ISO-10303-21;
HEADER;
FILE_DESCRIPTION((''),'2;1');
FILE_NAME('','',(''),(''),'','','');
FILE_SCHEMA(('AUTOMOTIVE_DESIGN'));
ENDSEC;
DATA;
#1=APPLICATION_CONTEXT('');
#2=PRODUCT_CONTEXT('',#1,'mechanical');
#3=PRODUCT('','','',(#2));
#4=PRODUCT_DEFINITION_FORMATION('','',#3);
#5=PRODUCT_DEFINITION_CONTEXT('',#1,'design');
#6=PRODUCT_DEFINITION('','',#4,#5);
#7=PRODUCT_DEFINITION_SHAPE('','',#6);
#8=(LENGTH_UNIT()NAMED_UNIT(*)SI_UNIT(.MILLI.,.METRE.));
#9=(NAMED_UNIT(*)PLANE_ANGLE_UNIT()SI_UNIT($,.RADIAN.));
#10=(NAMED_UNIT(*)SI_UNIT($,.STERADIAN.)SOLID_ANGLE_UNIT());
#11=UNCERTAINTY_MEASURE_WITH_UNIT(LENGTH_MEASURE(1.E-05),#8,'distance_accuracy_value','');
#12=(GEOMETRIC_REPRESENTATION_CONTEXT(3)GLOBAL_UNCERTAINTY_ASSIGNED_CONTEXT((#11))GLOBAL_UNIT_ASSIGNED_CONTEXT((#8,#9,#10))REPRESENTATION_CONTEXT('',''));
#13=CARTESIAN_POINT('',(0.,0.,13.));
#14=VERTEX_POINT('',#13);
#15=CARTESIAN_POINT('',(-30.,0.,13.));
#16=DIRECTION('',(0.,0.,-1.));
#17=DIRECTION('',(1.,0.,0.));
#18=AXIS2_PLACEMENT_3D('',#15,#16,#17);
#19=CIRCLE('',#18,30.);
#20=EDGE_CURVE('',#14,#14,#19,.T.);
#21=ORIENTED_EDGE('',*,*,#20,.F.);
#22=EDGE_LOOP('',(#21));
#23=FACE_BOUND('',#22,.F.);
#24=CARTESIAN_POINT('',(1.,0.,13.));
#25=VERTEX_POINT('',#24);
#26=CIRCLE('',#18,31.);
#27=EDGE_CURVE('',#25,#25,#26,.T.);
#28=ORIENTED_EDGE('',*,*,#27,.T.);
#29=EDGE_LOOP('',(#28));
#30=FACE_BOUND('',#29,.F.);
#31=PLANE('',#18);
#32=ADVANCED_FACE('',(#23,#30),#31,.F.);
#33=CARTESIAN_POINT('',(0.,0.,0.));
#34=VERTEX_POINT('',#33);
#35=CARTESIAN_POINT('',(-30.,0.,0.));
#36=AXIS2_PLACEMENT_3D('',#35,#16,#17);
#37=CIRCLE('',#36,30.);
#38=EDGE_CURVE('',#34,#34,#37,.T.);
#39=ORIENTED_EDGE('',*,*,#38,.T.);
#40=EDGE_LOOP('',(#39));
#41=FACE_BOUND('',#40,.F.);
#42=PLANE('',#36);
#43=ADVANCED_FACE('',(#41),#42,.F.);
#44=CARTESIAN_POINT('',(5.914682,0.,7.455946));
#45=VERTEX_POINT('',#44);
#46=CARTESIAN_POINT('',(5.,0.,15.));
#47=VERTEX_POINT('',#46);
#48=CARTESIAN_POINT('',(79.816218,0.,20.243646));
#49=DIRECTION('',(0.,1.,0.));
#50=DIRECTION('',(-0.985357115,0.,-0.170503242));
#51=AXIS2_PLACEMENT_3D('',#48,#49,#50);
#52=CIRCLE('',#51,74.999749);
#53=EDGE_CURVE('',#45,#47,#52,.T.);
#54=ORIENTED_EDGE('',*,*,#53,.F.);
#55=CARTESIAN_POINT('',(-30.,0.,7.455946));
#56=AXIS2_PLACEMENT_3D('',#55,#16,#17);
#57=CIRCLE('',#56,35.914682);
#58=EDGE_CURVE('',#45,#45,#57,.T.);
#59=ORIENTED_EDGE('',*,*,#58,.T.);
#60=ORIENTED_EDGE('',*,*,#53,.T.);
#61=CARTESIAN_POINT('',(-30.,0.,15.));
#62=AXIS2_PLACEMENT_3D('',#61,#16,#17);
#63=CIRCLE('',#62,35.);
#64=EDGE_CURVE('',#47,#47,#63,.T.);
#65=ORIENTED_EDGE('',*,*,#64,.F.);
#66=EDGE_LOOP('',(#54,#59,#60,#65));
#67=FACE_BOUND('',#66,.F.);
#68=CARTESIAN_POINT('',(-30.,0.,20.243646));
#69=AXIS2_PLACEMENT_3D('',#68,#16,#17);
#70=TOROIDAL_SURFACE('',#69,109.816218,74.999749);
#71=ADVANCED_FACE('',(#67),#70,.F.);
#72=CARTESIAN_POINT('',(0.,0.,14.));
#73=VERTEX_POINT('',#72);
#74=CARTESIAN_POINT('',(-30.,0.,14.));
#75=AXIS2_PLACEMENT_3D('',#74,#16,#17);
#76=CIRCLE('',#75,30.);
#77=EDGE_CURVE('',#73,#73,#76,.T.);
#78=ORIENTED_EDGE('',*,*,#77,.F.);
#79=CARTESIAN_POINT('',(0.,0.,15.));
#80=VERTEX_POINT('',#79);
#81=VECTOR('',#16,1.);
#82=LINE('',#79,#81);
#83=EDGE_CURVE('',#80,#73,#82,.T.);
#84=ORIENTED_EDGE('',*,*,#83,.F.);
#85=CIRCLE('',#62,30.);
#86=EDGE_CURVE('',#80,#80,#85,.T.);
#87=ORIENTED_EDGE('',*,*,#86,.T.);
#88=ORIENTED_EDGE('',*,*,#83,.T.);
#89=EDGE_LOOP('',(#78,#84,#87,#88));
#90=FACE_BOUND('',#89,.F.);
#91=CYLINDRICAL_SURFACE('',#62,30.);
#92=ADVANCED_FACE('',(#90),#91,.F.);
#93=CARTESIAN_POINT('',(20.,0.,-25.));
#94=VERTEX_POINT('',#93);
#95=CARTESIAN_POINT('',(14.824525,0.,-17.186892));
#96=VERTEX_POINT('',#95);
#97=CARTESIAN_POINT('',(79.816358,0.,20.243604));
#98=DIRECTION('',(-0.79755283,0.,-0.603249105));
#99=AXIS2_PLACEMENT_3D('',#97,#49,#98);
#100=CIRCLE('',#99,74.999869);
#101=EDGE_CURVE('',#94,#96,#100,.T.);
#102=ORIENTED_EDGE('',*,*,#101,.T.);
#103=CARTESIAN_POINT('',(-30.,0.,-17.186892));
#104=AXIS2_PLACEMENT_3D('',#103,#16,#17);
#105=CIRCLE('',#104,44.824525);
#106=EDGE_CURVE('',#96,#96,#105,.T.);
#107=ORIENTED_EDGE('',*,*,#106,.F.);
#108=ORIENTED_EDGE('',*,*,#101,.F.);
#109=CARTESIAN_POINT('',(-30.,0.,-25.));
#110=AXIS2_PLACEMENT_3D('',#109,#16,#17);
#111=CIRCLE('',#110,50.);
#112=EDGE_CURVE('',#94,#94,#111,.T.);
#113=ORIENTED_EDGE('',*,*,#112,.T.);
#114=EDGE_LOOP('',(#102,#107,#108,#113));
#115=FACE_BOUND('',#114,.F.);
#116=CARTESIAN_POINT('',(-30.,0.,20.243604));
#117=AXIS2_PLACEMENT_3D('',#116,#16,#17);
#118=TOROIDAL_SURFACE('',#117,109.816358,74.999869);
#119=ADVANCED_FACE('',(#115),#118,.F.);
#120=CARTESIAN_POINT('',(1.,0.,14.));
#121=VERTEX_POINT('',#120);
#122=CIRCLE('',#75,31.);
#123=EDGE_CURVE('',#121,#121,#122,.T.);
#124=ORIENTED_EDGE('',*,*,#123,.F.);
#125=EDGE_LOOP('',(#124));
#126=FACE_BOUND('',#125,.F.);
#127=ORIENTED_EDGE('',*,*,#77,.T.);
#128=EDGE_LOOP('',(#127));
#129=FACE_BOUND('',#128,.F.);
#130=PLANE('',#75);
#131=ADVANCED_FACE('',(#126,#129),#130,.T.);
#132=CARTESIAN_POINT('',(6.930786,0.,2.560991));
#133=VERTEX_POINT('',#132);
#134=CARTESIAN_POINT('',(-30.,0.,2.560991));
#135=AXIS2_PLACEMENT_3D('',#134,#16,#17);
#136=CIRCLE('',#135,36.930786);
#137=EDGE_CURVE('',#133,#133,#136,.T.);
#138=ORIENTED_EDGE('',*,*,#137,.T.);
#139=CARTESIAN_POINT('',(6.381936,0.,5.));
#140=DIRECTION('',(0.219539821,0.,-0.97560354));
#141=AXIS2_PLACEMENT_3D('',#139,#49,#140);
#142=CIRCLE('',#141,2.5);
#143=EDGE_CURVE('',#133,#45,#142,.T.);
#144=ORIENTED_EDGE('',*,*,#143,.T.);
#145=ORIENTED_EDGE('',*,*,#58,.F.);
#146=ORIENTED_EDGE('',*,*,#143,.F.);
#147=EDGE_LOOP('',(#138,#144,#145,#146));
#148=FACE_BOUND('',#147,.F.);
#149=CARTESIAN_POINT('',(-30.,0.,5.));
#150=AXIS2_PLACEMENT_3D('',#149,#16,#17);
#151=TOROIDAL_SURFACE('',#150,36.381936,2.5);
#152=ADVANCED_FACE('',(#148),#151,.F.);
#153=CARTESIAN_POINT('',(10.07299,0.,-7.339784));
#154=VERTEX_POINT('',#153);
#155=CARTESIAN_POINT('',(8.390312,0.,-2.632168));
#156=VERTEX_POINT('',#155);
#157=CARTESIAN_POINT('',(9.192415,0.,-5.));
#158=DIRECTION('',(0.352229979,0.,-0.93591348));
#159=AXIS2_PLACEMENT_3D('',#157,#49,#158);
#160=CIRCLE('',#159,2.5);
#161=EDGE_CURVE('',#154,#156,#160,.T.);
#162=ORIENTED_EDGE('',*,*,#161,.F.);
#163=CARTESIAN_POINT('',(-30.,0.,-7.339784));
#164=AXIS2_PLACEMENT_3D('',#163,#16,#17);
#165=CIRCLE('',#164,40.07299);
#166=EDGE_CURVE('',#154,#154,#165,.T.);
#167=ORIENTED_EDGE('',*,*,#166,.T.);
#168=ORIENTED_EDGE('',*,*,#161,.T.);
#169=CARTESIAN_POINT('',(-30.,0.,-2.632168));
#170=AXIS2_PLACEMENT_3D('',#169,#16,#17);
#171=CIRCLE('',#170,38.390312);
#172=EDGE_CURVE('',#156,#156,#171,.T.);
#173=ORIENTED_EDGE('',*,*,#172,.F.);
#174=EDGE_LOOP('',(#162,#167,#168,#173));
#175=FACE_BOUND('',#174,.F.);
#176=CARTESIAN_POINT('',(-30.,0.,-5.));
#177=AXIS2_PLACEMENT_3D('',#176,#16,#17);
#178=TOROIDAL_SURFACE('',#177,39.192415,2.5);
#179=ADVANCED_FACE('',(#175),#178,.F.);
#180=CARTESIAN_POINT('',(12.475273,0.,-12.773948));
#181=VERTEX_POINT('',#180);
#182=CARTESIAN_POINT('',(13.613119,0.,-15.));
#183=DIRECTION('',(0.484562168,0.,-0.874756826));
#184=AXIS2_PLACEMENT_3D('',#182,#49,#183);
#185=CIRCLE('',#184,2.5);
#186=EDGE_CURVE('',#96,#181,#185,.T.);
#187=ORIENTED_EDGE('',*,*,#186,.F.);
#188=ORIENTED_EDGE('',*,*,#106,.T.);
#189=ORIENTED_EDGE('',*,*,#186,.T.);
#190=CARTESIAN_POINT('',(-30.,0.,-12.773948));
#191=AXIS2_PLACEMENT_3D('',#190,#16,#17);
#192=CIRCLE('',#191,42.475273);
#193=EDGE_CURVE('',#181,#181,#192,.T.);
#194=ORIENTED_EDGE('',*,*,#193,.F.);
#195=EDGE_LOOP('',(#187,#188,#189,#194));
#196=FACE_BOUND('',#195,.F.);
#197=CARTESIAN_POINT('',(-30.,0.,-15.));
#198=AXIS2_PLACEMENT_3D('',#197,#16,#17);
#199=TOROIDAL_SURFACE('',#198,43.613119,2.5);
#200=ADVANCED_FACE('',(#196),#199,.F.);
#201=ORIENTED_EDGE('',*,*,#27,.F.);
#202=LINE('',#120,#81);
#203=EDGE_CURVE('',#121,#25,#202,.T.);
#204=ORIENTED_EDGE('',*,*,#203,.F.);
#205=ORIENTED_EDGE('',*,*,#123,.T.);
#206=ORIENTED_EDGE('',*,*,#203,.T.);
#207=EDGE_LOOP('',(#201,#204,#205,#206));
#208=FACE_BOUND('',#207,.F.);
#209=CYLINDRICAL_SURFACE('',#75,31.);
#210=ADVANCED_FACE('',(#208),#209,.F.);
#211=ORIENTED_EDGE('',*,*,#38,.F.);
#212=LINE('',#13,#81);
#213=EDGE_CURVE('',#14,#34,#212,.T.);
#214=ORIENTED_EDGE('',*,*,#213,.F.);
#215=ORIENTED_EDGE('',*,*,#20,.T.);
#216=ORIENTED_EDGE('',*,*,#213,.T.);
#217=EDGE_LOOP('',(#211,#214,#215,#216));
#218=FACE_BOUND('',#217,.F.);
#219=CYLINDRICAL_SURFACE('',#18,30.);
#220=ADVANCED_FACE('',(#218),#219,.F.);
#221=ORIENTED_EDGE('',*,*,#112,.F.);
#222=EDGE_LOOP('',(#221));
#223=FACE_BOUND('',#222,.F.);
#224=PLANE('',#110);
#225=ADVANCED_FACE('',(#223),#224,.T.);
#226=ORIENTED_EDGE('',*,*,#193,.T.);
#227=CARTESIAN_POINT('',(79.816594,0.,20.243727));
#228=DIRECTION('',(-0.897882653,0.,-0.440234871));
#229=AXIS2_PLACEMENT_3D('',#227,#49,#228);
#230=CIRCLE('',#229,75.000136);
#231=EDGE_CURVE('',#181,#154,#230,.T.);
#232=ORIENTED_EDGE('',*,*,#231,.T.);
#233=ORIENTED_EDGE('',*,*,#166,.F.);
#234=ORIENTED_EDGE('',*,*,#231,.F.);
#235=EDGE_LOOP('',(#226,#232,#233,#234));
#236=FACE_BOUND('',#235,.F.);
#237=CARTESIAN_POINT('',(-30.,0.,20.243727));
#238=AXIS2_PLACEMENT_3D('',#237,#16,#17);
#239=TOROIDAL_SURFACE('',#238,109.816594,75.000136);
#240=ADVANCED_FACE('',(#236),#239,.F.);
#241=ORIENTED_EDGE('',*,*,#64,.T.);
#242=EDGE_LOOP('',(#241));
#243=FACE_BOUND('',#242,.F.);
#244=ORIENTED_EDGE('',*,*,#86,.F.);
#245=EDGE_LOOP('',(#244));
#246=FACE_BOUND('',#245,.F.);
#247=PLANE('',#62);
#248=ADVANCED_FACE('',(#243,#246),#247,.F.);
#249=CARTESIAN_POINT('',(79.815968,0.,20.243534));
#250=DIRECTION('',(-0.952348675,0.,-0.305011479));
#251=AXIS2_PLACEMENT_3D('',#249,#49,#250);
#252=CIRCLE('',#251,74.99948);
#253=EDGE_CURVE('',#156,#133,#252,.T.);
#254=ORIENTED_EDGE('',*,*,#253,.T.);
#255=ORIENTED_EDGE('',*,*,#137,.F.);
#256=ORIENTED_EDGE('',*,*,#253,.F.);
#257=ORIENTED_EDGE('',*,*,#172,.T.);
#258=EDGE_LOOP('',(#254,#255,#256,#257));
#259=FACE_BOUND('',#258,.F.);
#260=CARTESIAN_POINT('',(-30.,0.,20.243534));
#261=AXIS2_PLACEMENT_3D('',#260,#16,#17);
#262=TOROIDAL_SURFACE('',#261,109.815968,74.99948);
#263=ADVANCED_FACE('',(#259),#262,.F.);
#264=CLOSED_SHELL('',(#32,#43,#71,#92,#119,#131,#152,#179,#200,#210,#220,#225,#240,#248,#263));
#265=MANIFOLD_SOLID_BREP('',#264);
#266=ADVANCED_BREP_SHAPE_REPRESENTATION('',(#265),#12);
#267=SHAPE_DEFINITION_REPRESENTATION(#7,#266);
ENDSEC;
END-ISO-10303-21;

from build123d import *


with BuildPart() as f1:
    # F0 (on Front) → F1 (revolve)
    with BuildSketch(Plane.XZ):
        with BuildLine():
            Line((0, 13), (0, 0))
            Line((0, 0), (-30, 0))
            Line((-30, 0), (-30, -25))
            Line((-30, -25), (20, -25))
            ThreePointArc((20, -25), (17.290105, -21.174364), (14.824525, -17.186892))
            ThreePointArc((14.824525, -17.186892), (11.406341, -16.174789), (12.475273, -12.773948))
            ThreePointArc((12.475273, -12.773948), (11.220299, -10.080664), (10.07299, -7.339784))
            ThreePointArc((10.07299, -7.339784), (6.83828, -5.841456), (8.390312, -2.632168))
            ThreePointArc((8.390312, -2.632168), (7.613844, -0.048715), (6.930786, 2.560991))
            ThreePointArc((6.930786, 2.560991), (3.934119, 4.491877), (5.914682, 7.455946))
            ThreePointArc((5.914682, 7.455946), (5.36173, 11.216381), (5, 15))
            Line((5, 15), (0, 15))
            Line((0, 15), (0, 14))
            Line((0, 14), (1, 14))
            Line((1, 14), (1, 13))
            Line((1, 13), (0, 13))
        make_face()
    revolve(axis=Axis((-30, 0, -12.5), (0, 0, -1)))


solid = f1.part
